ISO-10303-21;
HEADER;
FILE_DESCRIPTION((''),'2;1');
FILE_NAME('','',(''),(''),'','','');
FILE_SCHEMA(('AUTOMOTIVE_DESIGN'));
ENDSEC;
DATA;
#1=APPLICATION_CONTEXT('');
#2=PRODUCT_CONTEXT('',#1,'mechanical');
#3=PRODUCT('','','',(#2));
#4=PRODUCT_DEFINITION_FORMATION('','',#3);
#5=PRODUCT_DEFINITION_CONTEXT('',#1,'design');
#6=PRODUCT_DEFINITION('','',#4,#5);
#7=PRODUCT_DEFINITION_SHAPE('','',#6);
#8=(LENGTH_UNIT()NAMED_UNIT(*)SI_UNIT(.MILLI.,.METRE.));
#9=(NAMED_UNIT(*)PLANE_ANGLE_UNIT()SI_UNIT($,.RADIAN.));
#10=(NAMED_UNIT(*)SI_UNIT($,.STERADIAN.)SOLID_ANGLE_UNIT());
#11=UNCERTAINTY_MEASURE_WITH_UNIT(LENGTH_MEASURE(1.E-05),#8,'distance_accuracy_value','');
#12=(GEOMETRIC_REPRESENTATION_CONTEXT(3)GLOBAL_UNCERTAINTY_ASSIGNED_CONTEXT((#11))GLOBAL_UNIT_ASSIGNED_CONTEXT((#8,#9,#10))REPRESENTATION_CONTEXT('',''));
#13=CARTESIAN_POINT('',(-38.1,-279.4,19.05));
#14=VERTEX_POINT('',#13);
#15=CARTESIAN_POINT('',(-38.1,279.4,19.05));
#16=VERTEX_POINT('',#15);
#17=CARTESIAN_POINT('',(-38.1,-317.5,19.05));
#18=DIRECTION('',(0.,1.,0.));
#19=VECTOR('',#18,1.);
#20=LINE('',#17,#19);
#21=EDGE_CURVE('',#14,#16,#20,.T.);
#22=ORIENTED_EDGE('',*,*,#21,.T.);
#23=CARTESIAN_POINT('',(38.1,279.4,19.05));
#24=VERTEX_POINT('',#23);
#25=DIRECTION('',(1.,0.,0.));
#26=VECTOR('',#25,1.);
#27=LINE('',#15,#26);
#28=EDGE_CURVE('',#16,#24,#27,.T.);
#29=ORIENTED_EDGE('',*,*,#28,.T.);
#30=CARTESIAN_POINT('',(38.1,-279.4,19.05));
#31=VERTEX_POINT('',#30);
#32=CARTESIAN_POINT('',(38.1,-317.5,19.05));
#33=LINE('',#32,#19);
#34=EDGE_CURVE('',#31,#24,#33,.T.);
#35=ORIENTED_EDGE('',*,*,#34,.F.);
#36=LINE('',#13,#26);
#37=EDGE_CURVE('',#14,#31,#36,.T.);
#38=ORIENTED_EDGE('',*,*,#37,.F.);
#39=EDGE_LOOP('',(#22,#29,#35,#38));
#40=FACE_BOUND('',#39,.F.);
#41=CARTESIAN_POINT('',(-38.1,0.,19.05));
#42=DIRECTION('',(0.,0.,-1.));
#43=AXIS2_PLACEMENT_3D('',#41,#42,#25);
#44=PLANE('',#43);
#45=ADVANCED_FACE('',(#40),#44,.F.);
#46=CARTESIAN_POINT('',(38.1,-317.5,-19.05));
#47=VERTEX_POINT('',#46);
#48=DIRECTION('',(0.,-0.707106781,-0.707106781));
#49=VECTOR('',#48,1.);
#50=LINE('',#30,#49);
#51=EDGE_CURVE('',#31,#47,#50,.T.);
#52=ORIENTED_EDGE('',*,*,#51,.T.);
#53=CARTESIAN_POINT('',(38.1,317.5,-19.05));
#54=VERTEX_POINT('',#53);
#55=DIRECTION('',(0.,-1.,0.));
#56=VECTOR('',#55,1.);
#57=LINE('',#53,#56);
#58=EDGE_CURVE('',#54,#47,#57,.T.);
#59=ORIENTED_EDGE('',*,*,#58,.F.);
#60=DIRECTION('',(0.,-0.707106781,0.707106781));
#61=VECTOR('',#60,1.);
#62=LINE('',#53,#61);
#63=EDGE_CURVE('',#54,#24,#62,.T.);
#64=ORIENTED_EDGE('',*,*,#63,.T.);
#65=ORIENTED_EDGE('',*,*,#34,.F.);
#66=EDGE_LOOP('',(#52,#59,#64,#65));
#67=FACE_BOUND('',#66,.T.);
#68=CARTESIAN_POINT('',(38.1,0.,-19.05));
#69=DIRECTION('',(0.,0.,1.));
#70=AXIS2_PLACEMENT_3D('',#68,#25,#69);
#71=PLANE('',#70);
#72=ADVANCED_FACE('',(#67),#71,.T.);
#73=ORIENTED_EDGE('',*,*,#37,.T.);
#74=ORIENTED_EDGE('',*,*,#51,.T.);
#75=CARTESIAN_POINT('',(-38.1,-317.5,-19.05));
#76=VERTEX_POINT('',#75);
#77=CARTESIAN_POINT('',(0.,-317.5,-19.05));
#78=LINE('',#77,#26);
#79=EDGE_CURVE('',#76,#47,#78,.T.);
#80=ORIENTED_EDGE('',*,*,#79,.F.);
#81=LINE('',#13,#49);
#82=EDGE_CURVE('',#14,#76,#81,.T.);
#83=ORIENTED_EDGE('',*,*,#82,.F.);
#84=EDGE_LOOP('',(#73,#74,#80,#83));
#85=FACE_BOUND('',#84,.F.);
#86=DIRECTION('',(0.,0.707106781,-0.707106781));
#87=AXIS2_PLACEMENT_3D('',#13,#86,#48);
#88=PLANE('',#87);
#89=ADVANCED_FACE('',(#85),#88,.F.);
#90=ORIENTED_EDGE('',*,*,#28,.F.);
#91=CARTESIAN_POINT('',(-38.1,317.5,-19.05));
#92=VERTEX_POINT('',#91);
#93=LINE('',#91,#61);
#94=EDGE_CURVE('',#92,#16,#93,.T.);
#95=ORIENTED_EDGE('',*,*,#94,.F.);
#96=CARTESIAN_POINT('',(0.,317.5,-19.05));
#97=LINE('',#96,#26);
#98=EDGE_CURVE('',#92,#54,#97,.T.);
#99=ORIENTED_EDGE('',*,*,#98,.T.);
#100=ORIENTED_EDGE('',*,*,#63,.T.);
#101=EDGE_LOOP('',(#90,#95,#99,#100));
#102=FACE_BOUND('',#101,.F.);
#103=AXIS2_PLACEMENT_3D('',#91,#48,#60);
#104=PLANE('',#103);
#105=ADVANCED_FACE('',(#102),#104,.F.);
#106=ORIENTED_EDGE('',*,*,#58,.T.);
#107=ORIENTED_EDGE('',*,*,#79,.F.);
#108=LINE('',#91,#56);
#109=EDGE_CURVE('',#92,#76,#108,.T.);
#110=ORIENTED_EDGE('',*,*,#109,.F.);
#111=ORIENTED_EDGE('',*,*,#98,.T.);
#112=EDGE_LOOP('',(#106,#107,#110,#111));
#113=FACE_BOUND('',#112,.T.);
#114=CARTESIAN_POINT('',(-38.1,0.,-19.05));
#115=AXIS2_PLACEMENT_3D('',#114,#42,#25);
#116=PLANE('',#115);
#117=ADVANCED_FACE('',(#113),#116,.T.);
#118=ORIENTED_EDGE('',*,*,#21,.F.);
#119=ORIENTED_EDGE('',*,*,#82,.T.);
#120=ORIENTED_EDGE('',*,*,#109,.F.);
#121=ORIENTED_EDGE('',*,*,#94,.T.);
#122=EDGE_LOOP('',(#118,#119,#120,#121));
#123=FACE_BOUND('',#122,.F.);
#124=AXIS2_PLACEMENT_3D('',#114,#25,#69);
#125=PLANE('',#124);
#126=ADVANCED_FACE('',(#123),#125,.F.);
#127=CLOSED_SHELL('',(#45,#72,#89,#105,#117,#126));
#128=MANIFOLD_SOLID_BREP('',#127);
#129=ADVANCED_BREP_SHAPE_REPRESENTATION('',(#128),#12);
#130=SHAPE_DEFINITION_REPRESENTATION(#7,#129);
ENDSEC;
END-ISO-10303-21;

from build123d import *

# Parameters (mm, degrees)
F0_W          = 76.2
F0_H          = 38.1
F1_DEPTH      = 317.5
F1_DEPTH_BACK = 317.5
F3_DEPTH      = 76.2


with BuildPart() as f1:
    # F0 (on Front) → F1 (new body, two sides)
    with BuildSketch(Plane.XZ) as f1_sk:
        Rectangle(F0_W, F0_H)
    extrude(amount=F1_DEPTH)
    extrude(f1_sk.sketch, amount=-F1_DEPTH_BACK)

    # F2 (on face) → F3 (cut, through all)
    with BuildSketch(Plane(origin=(-38.1, 0, 0), x_dir=(0, -1, 0), z_dir=(-1, 0, 0))):
        Polygon((-279.4, 19.05), (-317.5, 19.05), (-317.5, -19.05), align=None)
        Polygon((279.4, 19.05), (317.5, -19.05), (317.5, 19.05), align=None)
    extrude(amount=-F3_DEPTH, mode=Mode.SUBTRACT)


solid = f1.part
